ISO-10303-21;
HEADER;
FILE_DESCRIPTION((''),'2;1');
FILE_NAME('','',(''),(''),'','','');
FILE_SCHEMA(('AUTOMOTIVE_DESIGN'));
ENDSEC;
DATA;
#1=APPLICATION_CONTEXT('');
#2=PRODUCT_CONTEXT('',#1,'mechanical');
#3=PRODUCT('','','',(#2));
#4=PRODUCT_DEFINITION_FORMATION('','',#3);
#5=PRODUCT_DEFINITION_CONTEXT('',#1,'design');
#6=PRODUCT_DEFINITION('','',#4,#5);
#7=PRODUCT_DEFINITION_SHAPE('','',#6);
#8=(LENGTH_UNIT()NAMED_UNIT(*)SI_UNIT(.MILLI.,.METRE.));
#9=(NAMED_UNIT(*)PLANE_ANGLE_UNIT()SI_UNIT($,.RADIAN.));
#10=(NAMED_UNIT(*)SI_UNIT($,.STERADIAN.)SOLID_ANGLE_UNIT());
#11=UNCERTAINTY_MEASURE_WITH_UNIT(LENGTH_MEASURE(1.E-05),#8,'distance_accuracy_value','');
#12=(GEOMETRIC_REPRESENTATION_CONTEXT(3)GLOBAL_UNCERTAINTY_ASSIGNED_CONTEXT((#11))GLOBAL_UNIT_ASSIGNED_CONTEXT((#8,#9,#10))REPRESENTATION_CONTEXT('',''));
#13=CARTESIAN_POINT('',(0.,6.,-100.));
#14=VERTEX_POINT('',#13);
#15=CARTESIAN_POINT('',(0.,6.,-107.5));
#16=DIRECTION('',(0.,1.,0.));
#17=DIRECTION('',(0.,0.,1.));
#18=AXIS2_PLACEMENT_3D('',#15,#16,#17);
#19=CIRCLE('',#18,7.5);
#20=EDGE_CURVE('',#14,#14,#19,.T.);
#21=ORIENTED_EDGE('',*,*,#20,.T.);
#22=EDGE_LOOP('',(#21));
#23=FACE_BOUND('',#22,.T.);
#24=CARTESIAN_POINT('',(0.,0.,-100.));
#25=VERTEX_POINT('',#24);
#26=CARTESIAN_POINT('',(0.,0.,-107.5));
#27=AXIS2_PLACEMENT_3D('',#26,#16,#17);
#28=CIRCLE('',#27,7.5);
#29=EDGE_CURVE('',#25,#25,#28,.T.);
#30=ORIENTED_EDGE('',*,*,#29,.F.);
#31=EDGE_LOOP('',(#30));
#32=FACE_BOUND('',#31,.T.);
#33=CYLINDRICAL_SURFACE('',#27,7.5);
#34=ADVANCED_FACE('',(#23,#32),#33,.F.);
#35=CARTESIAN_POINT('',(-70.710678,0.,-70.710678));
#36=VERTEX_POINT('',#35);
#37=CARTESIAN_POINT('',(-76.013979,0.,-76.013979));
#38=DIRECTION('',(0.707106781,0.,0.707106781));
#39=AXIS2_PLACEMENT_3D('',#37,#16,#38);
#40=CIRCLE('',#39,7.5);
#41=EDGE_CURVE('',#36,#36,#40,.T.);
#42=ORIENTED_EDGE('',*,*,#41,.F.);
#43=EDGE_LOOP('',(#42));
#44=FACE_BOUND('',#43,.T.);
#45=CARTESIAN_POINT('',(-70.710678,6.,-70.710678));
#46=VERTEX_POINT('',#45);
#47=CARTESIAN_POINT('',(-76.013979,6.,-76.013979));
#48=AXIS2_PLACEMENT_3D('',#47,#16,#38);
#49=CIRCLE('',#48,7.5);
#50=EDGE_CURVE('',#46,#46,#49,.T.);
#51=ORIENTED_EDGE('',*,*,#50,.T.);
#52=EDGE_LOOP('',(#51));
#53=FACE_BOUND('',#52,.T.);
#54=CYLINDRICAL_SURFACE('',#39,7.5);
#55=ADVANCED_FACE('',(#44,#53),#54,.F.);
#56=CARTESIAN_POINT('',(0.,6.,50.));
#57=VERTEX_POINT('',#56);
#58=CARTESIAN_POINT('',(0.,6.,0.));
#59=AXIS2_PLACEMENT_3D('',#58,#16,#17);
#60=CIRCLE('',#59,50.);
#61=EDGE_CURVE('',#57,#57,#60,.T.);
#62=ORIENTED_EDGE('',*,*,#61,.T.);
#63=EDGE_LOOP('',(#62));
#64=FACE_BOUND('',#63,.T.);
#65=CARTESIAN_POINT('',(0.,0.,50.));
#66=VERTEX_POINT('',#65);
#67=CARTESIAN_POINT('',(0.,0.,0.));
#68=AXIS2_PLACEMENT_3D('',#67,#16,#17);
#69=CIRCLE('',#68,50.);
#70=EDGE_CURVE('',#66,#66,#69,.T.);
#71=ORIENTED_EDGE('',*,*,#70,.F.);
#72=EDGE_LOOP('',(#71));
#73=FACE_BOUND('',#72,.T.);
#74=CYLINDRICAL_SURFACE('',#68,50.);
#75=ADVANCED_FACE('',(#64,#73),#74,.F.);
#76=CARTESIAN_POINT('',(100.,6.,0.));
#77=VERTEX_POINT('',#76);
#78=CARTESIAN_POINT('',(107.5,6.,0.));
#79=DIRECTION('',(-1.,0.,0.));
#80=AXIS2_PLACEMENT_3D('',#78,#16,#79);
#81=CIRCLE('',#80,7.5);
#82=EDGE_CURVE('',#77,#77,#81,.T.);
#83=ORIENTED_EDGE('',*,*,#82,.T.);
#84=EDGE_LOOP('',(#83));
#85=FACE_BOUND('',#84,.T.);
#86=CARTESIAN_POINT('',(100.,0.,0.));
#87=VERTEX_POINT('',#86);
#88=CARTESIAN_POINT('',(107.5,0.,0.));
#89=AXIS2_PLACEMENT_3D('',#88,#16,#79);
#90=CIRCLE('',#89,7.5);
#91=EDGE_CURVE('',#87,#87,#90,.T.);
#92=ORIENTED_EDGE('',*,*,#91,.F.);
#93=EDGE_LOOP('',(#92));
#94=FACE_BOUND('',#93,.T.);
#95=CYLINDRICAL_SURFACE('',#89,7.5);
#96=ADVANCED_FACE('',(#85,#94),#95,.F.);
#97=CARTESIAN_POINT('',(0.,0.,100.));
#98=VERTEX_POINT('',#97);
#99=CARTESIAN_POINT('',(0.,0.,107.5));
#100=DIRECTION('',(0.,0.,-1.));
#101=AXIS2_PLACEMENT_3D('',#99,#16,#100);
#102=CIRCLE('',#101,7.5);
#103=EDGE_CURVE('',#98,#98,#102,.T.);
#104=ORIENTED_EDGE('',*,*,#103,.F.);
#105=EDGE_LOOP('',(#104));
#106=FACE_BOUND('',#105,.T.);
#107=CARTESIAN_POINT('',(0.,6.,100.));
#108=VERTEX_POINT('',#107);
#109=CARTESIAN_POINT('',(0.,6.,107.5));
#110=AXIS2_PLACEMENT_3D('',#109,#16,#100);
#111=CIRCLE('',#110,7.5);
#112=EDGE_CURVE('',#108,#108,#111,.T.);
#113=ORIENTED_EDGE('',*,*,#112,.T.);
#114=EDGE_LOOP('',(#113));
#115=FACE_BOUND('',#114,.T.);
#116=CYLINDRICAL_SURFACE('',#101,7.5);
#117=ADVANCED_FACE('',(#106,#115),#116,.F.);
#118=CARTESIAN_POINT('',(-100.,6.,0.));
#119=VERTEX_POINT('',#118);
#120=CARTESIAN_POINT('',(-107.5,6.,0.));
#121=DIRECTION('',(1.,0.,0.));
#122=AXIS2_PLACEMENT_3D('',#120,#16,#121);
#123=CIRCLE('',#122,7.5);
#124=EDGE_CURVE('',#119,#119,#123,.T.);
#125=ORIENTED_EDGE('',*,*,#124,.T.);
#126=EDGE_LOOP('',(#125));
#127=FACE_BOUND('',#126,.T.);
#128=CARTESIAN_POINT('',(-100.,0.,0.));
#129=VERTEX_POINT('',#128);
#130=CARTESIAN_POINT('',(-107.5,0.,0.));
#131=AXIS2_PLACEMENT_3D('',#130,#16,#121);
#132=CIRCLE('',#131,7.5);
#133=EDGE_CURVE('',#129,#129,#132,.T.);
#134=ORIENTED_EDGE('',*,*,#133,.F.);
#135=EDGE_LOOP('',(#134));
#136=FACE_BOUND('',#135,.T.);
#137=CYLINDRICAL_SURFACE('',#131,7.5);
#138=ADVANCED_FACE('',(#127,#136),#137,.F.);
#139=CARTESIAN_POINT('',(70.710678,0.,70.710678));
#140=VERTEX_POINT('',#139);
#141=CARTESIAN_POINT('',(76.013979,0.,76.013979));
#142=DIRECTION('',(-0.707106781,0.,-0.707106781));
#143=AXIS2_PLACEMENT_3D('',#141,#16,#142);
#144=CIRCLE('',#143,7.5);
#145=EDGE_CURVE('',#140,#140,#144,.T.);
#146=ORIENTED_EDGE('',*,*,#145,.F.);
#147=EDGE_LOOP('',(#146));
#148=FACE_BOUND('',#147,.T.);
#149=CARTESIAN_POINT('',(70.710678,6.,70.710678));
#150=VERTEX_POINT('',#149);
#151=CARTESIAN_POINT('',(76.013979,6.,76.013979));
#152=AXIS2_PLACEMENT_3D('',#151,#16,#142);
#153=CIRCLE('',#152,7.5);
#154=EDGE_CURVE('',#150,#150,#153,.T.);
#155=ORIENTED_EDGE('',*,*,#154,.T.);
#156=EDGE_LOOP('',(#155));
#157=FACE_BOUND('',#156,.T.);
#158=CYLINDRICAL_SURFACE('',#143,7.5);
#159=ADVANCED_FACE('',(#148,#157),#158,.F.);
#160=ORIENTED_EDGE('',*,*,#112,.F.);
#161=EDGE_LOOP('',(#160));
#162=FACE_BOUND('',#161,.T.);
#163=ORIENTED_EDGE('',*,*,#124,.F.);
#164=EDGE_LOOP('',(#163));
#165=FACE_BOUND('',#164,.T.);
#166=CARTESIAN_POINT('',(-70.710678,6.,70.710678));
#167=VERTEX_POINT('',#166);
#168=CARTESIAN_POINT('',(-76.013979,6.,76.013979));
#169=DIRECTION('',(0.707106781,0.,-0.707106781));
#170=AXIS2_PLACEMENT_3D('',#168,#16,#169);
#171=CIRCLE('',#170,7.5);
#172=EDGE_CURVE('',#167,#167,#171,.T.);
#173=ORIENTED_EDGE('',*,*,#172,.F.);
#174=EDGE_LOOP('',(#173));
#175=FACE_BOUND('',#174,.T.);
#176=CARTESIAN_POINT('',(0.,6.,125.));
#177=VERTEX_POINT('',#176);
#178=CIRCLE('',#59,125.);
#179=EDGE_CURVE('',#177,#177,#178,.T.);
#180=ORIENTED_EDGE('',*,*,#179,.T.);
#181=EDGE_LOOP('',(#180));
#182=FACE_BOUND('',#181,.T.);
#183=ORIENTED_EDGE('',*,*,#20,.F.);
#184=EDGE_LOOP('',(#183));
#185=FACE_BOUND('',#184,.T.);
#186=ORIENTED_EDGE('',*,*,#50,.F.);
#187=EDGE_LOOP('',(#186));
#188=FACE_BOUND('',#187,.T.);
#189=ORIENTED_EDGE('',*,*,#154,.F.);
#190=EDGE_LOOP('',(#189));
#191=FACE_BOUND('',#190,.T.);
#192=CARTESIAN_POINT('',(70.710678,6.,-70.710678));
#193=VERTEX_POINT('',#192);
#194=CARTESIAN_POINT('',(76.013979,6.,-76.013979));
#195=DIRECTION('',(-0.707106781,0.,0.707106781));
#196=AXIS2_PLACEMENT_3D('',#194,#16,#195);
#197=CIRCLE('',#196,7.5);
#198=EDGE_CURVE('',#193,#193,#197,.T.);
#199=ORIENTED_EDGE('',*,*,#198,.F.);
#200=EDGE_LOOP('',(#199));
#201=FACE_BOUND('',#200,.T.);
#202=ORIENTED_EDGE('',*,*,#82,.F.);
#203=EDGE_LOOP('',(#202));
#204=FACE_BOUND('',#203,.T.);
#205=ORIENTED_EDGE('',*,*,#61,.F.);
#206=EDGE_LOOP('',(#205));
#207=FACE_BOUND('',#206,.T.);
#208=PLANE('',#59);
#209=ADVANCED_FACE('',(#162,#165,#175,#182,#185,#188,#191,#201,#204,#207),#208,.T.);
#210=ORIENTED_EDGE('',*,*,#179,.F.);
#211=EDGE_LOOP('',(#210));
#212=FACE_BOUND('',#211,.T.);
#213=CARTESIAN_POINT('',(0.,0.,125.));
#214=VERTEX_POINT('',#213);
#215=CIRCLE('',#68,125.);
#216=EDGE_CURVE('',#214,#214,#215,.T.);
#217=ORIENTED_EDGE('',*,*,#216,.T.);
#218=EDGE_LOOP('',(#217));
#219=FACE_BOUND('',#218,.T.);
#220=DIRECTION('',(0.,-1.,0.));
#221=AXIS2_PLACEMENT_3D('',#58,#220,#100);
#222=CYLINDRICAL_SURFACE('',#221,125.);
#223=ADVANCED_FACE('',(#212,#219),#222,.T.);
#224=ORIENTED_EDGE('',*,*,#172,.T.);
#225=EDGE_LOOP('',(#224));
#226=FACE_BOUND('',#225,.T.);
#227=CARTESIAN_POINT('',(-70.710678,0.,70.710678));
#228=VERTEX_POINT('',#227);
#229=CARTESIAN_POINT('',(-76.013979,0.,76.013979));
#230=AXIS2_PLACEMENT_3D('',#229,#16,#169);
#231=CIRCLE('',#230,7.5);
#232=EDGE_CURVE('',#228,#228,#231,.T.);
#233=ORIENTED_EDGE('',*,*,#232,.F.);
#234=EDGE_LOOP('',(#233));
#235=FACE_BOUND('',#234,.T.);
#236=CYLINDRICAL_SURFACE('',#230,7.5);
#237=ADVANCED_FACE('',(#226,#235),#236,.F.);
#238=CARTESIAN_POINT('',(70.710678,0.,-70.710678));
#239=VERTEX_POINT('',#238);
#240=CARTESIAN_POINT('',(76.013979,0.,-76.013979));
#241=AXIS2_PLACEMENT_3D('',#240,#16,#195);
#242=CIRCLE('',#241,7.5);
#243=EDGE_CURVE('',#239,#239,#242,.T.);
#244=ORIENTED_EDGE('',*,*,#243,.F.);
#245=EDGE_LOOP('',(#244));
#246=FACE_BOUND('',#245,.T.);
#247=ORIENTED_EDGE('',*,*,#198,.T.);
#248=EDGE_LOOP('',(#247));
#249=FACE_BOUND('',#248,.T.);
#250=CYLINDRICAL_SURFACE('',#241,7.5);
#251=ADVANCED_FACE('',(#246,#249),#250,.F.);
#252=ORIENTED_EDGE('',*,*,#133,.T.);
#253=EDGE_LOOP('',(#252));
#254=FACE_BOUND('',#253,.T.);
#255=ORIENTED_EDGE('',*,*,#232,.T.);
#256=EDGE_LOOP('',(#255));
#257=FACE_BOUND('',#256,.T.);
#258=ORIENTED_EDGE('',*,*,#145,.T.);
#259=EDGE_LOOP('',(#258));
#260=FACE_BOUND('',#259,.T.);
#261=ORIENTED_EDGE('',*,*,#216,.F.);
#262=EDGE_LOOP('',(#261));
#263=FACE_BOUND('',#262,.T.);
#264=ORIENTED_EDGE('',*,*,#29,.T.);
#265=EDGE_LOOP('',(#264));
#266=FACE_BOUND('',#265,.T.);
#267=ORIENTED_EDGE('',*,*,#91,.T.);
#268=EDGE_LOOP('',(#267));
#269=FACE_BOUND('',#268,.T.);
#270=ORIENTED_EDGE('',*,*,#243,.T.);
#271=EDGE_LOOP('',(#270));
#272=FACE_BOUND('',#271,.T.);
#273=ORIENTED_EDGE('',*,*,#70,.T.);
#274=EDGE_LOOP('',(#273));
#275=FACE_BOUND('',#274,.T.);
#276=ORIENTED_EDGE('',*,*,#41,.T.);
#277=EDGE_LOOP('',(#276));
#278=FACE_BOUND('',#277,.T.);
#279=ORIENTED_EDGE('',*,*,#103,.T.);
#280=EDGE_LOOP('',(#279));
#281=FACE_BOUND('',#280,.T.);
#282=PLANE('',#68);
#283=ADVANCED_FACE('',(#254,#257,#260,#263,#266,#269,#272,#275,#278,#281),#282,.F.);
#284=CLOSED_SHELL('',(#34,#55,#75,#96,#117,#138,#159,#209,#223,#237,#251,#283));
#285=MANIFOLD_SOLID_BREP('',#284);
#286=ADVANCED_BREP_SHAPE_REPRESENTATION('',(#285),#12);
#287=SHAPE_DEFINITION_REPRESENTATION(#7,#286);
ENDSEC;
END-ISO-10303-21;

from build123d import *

# Parameters (mm, degrees)
SKETCH1_R           = 125
BOSS_EXTRUDE1_DEPTH = 6
SKETCH2_R           = 50
CUT_EXTRUDE1_DEPTH  = 6
SKETCH3_R           = 7.5
CUT_EXTRUDE2_DEPTH  = 6
CIRPATTERN1_COUNT   = 8


with BuildPart() as part:
    # Sketch1 → Boss-Extrude1 (new body)
    with BuildSketch(Plane(origin=(0, 0, 0), x_dir=(1, 0, 0), z_dir=(0, 1, 0))):
        with Locations(Location((0, 0, 0), (0, 0, 270))):
            Circle(SKETCH1_R)
    extrude(amount=BOSS_EXTRUDE1_DEPTH)

    # Sketch2 → Cut-Extrude1 (cut)
    with BuildSketch(Plane(origin=(0, 6, 0), x_dir=(1, 0, 0), z_dir=(0, 1, 0))):
        with Locations(Location((0, 0, 0), (0, 0, 270))):
            Circle(SKETCH2_R)
    extrude(amount=-CUT_EXTRUDE1_DEPTH, mode=Mode.SUBTRACT)

    # Sketch3 → Cut-Extrude2 (cut)
    with BuildSketch(Plane(origin=(0, 6, 0), x_dir=(1, 0, 0), z_dir=(0, 1, 0))):
        with Locations(Location((0, 107.5, 0), (0, 0, 270))):
            Circle(SKETCH3_R)
    cut_extrude2 = extrude(amount=-CUT_EXTRUDE2_DEPTH, mode=Mode.SUBTRACT)

    # CirPattern1: Cut-Extrude2 ×8 about axis
    cirpattern1_axis = Axis((0, 0, 0), (0, 1, 0))
    for i in range(1, CIRPATTERN1_COUNT):
        add(cut_extrude2.rotate(cirpattern1_axis, i * 360 / CIRPATTERN1_COUNT), mode=Mode.SUBTRACT)


solid = part.part
